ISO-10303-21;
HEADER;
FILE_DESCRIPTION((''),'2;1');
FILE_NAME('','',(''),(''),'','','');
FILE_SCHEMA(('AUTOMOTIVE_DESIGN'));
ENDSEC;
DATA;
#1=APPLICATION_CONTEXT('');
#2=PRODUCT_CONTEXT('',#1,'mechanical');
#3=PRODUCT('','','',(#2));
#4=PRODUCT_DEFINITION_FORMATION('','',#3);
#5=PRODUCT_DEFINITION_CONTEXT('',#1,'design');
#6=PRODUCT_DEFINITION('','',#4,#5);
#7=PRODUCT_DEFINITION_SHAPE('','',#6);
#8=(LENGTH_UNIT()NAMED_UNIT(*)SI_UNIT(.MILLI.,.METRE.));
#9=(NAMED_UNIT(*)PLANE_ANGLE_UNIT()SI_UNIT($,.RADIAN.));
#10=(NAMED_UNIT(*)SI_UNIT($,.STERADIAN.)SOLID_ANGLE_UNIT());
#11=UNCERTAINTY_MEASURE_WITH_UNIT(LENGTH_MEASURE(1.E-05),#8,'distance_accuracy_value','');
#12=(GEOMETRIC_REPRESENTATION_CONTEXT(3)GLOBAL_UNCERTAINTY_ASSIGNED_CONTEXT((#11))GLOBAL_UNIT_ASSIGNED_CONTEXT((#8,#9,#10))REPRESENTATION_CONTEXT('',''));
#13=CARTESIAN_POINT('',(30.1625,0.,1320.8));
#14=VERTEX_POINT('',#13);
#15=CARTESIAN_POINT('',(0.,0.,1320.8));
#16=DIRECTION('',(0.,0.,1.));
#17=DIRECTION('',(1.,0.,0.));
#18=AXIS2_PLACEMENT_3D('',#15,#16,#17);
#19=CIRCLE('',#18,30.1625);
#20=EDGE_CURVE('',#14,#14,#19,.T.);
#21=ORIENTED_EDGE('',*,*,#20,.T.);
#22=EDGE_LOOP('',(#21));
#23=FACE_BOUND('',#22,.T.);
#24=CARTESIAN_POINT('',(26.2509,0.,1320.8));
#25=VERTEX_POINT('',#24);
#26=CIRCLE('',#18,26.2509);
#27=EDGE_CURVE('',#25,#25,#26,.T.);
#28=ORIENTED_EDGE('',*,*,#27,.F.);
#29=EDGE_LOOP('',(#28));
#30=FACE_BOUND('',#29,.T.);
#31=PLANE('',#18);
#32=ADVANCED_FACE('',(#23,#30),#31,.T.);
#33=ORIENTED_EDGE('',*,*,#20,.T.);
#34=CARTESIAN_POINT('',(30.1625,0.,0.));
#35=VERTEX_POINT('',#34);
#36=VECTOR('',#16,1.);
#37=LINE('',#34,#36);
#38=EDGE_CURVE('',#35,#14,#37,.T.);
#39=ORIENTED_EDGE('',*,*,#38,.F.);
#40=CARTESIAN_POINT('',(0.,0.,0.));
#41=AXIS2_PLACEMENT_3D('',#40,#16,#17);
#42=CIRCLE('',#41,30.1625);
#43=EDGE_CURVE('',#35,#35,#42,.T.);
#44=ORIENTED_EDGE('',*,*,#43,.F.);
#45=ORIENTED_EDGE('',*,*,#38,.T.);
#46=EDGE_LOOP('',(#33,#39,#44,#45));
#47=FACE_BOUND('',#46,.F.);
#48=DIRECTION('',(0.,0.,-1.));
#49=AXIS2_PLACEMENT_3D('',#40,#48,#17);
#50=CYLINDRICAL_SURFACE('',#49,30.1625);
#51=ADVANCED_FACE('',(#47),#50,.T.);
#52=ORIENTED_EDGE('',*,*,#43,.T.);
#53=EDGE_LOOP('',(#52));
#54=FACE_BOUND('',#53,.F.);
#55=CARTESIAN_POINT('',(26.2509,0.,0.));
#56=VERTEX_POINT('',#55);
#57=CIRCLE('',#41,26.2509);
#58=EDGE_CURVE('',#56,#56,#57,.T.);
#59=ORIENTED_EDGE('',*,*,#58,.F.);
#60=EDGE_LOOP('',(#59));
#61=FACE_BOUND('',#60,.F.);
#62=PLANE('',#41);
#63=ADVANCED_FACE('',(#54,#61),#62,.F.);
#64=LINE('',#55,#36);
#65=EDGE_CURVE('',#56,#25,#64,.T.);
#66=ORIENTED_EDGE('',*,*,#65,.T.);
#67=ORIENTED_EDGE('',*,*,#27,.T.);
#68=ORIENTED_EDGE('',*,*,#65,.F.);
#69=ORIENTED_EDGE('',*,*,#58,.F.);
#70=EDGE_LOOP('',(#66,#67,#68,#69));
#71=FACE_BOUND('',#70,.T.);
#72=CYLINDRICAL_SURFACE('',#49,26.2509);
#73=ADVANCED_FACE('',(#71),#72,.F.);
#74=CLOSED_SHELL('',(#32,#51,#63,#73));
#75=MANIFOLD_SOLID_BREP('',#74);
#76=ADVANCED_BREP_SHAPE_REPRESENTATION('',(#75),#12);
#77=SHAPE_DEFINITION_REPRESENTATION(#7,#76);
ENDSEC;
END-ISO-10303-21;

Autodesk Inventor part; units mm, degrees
ref_plane "YZ Plane" through (0, 0, 0) normal (1, 0, 0) x (0, 1, 0)
ref_plane "XZ Plane" through (0, 0, 0) normal (0, 1, 0) x (-1, 0, 0)
ref_plane "XY Plane" through (0, 0, 0) normal (0, 0, 1) x (1, 0, 0)
sketch "Sketch1" plane through (0, 0, 0) normal (0, 0, 1) x (1, 0, 0)
  circle A0 centre (0, 0) radius 30.1625
  circle A1 centre (0, 0) radius 26.2509
  dimension "d0" = 60.325
  dimension "d1" = 3.9116
extrude "Extrusion1" add sketch "Sketch1" along normal blind 1320.8
properties part number "pvcSection" material "PVC-Piping"
